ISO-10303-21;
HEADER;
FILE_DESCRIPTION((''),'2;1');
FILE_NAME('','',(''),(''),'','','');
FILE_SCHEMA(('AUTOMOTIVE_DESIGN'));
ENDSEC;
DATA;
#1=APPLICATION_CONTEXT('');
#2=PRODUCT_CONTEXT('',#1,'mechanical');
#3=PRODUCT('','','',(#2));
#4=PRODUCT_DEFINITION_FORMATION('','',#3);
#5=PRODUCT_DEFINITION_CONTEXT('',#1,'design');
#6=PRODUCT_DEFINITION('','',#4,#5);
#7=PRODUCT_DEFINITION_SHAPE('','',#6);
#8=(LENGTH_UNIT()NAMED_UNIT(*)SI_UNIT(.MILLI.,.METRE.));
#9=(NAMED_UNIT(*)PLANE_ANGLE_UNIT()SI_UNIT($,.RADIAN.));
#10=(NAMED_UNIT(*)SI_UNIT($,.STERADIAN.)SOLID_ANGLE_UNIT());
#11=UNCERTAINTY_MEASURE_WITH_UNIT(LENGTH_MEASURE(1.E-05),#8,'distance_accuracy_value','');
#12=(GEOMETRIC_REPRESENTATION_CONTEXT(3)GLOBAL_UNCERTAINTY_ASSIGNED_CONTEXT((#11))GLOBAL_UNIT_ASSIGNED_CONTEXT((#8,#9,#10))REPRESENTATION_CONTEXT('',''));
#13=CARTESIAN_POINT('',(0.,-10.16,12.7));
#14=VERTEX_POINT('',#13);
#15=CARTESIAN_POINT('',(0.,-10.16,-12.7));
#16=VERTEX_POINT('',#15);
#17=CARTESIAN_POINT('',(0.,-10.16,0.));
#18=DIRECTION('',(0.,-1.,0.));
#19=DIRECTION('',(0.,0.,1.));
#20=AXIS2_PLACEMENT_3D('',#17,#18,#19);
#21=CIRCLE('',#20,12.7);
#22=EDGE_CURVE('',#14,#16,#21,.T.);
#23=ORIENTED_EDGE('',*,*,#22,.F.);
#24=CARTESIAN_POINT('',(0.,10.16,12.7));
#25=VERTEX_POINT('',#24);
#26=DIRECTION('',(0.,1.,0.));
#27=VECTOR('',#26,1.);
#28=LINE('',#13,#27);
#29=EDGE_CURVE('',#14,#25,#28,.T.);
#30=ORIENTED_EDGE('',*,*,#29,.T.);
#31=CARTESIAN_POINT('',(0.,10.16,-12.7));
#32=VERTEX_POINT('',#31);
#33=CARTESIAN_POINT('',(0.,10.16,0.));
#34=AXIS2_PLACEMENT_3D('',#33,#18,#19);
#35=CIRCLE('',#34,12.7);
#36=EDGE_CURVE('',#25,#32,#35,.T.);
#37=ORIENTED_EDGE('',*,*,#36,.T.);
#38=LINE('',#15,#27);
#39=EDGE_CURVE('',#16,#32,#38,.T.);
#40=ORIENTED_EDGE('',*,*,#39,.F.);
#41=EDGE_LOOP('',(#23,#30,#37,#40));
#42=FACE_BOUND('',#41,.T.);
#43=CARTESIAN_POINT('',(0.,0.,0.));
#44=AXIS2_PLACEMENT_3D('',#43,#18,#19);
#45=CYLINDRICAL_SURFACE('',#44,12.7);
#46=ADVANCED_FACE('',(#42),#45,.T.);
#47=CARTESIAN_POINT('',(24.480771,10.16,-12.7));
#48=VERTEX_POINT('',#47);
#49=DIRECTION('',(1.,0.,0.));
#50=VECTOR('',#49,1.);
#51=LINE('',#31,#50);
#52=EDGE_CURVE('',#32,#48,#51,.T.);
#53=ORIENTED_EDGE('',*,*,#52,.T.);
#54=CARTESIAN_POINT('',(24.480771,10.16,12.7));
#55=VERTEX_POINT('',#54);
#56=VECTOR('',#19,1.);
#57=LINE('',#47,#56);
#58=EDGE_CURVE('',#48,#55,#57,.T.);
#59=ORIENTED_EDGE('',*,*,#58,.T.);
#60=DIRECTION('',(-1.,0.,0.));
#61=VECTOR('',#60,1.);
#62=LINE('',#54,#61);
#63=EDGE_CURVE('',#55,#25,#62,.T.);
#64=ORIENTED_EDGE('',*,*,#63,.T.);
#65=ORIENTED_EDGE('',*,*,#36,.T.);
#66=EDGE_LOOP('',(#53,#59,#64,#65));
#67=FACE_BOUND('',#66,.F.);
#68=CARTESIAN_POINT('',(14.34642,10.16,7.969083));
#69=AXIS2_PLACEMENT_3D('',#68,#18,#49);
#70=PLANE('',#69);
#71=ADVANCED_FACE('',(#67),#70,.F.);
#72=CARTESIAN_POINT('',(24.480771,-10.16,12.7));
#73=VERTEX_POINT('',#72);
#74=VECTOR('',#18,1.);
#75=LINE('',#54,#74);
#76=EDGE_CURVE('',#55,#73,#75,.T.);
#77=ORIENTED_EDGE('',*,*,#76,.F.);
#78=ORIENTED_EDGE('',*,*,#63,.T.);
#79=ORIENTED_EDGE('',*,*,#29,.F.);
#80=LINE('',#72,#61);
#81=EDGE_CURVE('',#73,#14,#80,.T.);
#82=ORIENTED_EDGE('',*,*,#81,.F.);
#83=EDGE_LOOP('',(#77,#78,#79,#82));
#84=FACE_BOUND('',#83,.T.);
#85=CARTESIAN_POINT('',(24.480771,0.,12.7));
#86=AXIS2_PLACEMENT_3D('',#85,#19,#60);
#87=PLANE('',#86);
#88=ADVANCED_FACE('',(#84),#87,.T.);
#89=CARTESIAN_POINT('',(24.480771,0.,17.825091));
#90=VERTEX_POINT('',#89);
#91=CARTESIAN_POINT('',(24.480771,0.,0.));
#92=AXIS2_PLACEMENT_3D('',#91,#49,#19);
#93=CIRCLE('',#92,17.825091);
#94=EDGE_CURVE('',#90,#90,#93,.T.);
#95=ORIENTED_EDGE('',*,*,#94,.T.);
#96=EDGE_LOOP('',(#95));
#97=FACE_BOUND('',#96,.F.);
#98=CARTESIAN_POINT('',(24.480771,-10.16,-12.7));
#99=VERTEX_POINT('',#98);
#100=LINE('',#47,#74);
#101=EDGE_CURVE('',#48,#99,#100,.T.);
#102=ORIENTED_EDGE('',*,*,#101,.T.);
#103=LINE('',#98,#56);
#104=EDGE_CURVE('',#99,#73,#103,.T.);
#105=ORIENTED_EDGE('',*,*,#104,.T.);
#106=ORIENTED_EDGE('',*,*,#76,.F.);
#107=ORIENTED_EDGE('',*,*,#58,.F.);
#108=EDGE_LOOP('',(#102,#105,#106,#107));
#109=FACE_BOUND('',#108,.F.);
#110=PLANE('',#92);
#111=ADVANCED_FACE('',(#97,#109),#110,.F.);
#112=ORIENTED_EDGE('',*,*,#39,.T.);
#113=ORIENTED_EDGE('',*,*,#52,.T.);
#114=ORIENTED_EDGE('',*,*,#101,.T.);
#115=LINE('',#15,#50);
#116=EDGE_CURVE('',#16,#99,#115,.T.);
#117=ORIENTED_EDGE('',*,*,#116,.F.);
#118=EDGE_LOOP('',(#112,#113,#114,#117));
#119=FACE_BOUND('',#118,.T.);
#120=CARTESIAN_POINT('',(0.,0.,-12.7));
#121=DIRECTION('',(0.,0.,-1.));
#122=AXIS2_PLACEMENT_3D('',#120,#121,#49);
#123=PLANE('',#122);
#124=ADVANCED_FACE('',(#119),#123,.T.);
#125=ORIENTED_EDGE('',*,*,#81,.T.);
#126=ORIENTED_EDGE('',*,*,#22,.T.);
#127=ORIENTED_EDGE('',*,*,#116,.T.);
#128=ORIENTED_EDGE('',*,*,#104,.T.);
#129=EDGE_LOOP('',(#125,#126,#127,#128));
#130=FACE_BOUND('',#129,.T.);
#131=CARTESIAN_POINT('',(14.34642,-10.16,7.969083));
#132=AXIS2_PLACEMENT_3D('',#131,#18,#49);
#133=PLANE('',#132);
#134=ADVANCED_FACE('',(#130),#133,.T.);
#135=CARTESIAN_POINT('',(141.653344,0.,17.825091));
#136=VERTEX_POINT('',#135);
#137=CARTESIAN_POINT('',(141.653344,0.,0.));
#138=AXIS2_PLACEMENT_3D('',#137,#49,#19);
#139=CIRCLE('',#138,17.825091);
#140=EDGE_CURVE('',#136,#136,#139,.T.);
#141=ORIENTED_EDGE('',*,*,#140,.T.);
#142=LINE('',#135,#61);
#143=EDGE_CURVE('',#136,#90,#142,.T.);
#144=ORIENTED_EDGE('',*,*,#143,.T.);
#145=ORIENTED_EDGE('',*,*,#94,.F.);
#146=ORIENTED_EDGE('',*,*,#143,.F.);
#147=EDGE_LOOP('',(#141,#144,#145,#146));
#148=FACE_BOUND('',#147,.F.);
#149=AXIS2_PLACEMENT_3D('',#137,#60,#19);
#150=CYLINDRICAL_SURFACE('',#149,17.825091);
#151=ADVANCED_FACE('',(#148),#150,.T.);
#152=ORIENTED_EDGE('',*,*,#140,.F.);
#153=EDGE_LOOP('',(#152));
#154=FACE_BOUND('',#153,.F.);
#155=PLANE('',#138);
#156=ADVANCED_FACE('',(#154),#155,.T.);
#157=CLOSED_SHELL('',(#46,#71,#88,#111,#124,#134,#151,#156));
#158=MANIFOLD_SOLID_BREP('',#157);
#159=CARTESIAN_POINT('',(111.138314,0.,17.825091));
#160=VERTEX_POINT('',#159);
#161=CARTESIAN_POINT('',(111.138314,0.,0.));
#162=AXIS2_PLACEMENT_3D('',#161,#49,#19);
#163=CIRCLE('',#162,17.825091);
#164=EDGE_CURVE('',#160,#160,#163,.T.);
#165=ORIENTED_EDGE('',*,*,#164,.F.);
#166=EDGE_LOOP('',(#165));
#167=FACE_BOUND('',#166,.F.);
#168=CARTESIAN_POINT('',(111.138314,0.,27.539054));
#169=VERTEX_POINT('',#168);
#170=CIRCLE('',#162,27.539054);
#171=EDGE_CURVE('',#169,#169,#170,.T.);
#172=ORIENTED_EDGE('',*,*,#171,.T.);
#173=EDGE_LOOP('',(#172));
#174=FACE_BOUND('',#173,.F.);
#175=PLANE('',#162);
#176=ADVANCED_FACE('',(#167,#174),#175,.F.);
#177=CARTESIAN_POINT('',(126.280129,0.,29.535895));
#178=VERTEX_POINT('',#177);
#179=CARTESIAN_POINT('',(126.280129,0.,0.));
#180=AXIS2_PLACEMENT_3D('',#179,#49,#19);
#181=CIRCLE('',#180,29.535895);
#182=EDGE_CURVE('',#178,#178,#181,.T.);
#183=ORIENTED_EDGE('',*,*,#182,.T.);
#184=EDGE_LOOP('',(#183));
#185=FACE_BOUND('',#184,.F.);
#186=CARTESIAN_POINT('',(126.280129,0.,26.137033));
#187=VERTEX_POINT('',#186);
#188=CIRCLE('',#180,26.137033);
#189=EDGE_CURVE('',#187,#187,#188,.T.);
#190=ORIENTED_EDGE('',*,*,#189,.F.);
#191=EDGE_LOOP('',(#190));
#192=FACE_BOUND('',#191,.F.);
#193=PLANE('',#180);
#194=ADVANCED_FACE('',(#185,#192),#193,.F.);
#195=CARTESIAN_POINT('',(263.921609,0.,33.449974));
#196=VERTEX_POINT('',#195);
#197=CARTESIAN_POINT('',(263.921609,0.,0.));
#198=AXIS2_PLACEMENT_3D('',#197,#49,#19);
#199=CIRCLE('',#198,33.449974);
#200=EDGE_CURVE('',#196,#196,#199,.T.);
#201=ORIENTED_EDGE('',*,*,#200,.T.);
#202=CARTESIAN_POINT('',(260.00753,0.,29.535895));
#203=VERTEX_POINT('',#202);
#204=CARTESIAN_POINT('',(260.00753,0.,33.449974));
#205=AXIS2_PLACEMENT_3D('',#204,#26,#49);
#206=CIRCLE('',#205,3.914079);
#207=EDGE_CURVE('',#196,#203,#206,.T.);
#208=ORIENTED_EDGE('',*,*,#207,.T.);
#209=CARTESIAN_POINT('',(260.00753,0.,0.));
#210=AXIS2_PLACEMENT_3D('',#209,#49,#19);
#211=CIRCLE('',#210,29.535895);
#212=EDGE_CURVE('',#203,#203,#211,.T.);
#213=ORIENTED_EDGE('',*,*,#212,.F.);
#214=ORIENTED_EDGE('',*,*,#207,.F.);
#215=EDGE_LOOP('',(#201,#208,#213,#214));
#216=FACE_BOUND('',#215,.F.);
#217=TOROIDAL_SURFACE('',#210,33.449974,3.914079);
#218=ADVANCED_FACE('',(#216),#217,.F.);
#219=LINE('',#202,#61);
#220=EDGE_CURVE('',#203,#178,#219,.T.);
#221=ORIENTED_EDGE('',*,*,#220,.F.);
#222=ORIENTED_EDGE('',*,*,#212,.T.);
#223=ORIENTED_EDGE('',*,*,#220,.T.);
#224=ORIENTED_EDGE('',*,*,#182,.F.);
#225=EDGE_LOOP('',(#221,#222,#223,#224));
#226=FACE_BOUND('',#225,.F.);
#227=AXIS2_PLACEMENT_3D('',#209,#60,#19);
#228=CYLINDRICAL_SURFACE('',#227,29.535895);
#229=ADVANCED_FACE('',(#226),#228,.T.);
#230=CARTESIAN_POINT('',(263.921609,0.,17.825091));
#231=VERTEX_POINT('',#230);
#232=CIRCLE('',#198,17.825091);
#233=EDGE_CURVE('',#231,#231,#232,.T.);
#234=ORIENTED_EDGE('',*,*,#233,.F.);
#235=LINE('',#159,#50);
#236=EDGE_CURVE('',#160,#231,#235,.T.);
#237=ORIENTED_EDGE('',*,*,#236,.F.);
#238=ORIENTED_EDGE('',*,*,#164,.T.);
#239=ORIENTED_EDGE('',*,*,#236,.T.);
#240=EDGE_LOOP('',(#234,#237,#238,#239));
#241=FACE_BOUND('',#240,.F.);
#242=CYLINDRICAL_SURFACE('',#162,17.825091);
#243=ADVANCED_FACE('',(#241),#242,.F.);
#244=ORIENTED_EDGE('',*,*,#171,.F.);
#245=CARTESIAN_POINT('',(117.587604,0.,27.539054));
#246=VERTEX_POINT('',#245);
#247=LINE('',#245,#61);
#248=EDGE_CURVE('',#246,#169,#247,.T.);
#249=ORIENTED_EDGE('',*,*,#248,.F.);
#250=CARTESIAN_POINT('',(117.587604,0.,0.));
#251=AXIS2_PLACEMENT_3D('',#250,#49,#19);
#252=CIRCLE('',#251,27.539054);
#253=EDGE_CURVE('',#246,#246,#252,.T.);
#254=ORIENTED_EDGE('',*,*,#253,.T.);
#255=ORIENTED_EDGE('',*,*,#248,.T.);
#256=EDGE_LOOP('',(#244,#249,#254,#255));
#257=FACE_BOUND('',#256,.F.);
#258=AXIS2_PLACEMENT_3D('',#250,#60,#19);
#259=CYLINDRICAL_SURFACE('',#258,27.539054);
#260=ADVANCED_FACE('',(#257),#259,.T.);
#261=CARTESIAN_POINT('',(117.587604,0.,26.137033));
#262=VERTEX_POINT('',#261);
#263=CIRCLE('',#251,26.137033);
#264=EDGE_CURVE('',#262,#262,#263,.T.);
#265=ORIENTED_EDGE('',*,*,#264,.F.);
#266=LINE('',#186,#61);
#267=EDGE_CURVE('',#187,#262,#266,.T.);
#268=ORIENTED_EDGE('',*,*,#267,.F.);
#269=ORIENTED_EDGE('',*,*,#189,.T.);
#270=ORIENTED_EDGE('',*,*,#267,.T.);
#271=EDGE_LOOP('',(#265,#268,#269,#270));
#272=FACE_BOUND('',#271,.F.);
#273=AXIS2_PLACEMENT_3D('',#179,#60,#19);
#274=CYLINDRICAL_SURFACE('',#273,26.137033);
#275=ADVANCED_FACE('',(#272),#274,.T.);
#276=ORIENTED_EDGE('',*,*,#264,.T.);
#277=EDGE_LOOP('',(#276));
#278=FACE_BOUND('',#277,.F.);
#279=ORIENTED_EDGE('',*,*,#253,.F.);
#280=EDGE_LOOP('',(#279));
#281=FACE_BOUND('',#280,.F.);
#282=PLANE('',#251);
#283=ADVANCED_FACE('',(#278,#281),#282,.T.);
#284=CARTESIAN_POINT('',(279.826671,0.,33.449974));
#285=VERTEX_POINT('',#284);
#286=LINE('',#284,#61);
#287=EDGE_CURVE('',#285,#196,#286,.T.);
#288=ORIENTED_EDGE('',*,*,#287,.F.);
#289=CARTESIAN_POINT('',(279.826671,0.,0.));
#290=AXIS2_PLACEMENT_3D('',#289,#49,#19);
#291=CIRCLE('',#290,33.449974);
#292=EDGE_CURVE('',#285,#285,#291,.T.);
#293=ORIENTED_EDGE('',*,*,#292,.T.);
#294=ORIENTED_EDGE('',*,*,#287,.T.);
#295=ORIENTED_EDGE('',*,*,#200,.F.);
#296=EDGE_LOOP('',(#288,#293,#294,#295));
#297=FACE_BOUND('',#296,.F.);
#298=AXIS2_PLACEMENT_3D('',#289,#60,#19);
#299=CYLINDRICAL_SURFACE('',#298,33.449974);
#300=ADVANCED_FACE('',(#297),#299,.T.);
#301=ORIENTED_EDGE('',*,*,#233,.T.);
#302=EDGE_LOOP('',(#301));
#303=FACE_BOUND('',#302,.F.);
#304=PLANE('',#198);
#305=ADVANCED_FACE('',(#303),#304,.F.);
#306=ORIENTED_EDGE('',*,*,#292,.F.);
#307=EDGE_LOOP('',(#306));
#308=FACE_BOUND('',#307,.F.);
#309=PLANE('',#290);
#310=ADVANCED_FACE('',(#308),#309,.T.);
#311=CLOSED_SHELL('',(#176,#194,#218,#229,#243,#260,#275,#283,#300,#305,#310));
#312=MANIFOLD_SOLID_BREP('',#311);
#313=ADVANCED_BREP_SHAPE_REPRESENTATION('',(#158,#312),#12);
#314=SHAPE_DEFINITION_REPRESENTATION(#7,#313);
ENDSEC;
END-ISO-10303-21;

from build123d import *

# Parameters (mm, degrees)
F0_W     = 30.5150300264
F0_H     = 17.8250912577
F3_DEPTH = 10.16


with BuildPart() as f1:
    # F0 (on Front) → F1 (revolve)
    with BuildSketch(Plane.XZ):
        with BuildLine():
            Line((111.1383140087, 26.1370334774), (111.1383140087, 17.8250912577))
            Line((111.1383140087, 17.8250912577), (141.6533440351, 17.8250912577))
            Line((141.6533440351, 17.8250912577), (263.9216091484, 17.8250912577))
            Line((263.9216091484, 17.8250912577), (263.9216091484, 0))
            Line((263.9216091484, 0), (279.8266708851, 0))
            Line((279.8266708851, 0), (279.8266708851, 10.310467582))
            Line((279.8266708851, 10.310467582), (279.8266708851, 33.449973911))
            Line((279.8266708851, 33.449973911), (263.9216091484, 33.449973911))
            ThreePointArc((263.9216091484, 33.449973911), (262.77520204, 30.6823023219), (260.0075304508, 29.5358952135))
            Line((260.0075304508, 29.5358952135), (126.2801289558, 29.5358952135))
            Line((126.2801289558, 29.5358952135), (126.2801289558, 26.1370334774))
            Line((126.2801289558, 26.1370334774), (117.5876036286, 26.1370334774))
            Line((117.5876036286, 26.1370334774), (117.5876036286, 27.5390539318))
            Line((117.5876036286, 27.5390539318), (111.1383140087, 27.5390539318))
            Line((111.1383140087, 27.5390539318), (111.1383140087, 26.1370334774))
        make_face()
    revolve(axis=Axis((152.1537210792, 0, 0), (1, 0, 0)))


with BuildPart() as f2:
    # F0 (on Front) → F2 (revolve)
    with BuildSketch(Plane.XZ):
        Polygon((24.4807712734, 12.7), (24.4807712734, 0), (111.1383140087, 0), (111.1383140087, 17.8250912577), (24.4807712734, 17.8250912577), align=None)
        with Locations((126.3958290219, 8.9125456288)):
            Rectangle(F0_W, F0_H)
    revolve(axis=Axis((152.1537210792, 0, 0), (1, 0, 0)))

    # F0 (on Front) → F3 (join, symmetric)
    with BuildSketch(Plane.XZ):
        with BuildLine():
            ThreePointArc((0, 12.7), (8.9802561211, 8.9802561211), (12.7, 0))
            Line((12.7, 0), (24.4807712734, 0))
            Line((24.4807712734, 0), (24.4807712734, 12.7))
            Line((24.4807712734, 12.7), (0, 12.7))
        make_face()
        with BuildLine():
            Line((24.4807712734, 0), (12.7, 0))
            ThreePointArc((12.7, 0), (8.9802561211, -8.9802561211), (0, -12.7))
            Line((0, -12.7), (24.4807712734, -12.7))
            Line((24.4807712734, -12.7), (24.4807712734, 0))
        make_face()
        with BuildLine():
            Line((0, 0), (12.7, 0))
            ThreePointArc((12.7, 0), (8.9802561211, 8.9802561211), (0, 12.7))
            Line((0, 12.7), (0, 0))
        make_face()
        with BuildLine():
            ThreePointArc((0, -12.7), (8.9802561211, -8.9802561211), (12.7, 0))
            Line((12.7, 0), (0, 0))
            Line((0, 0), (0, -12.7))
        make_face()
        with BuildLine():
            Line((0, 0), (0, 12.7))
            ThreePointArc((0, 12.7), (-12.7, 0), (0, -12.7))
            Line((0, -12.7), (0, 0))
        make_face()
    extrude(amount=F3_DEPTH, both=True)


solid = Compound([f1.part, f2.part])
